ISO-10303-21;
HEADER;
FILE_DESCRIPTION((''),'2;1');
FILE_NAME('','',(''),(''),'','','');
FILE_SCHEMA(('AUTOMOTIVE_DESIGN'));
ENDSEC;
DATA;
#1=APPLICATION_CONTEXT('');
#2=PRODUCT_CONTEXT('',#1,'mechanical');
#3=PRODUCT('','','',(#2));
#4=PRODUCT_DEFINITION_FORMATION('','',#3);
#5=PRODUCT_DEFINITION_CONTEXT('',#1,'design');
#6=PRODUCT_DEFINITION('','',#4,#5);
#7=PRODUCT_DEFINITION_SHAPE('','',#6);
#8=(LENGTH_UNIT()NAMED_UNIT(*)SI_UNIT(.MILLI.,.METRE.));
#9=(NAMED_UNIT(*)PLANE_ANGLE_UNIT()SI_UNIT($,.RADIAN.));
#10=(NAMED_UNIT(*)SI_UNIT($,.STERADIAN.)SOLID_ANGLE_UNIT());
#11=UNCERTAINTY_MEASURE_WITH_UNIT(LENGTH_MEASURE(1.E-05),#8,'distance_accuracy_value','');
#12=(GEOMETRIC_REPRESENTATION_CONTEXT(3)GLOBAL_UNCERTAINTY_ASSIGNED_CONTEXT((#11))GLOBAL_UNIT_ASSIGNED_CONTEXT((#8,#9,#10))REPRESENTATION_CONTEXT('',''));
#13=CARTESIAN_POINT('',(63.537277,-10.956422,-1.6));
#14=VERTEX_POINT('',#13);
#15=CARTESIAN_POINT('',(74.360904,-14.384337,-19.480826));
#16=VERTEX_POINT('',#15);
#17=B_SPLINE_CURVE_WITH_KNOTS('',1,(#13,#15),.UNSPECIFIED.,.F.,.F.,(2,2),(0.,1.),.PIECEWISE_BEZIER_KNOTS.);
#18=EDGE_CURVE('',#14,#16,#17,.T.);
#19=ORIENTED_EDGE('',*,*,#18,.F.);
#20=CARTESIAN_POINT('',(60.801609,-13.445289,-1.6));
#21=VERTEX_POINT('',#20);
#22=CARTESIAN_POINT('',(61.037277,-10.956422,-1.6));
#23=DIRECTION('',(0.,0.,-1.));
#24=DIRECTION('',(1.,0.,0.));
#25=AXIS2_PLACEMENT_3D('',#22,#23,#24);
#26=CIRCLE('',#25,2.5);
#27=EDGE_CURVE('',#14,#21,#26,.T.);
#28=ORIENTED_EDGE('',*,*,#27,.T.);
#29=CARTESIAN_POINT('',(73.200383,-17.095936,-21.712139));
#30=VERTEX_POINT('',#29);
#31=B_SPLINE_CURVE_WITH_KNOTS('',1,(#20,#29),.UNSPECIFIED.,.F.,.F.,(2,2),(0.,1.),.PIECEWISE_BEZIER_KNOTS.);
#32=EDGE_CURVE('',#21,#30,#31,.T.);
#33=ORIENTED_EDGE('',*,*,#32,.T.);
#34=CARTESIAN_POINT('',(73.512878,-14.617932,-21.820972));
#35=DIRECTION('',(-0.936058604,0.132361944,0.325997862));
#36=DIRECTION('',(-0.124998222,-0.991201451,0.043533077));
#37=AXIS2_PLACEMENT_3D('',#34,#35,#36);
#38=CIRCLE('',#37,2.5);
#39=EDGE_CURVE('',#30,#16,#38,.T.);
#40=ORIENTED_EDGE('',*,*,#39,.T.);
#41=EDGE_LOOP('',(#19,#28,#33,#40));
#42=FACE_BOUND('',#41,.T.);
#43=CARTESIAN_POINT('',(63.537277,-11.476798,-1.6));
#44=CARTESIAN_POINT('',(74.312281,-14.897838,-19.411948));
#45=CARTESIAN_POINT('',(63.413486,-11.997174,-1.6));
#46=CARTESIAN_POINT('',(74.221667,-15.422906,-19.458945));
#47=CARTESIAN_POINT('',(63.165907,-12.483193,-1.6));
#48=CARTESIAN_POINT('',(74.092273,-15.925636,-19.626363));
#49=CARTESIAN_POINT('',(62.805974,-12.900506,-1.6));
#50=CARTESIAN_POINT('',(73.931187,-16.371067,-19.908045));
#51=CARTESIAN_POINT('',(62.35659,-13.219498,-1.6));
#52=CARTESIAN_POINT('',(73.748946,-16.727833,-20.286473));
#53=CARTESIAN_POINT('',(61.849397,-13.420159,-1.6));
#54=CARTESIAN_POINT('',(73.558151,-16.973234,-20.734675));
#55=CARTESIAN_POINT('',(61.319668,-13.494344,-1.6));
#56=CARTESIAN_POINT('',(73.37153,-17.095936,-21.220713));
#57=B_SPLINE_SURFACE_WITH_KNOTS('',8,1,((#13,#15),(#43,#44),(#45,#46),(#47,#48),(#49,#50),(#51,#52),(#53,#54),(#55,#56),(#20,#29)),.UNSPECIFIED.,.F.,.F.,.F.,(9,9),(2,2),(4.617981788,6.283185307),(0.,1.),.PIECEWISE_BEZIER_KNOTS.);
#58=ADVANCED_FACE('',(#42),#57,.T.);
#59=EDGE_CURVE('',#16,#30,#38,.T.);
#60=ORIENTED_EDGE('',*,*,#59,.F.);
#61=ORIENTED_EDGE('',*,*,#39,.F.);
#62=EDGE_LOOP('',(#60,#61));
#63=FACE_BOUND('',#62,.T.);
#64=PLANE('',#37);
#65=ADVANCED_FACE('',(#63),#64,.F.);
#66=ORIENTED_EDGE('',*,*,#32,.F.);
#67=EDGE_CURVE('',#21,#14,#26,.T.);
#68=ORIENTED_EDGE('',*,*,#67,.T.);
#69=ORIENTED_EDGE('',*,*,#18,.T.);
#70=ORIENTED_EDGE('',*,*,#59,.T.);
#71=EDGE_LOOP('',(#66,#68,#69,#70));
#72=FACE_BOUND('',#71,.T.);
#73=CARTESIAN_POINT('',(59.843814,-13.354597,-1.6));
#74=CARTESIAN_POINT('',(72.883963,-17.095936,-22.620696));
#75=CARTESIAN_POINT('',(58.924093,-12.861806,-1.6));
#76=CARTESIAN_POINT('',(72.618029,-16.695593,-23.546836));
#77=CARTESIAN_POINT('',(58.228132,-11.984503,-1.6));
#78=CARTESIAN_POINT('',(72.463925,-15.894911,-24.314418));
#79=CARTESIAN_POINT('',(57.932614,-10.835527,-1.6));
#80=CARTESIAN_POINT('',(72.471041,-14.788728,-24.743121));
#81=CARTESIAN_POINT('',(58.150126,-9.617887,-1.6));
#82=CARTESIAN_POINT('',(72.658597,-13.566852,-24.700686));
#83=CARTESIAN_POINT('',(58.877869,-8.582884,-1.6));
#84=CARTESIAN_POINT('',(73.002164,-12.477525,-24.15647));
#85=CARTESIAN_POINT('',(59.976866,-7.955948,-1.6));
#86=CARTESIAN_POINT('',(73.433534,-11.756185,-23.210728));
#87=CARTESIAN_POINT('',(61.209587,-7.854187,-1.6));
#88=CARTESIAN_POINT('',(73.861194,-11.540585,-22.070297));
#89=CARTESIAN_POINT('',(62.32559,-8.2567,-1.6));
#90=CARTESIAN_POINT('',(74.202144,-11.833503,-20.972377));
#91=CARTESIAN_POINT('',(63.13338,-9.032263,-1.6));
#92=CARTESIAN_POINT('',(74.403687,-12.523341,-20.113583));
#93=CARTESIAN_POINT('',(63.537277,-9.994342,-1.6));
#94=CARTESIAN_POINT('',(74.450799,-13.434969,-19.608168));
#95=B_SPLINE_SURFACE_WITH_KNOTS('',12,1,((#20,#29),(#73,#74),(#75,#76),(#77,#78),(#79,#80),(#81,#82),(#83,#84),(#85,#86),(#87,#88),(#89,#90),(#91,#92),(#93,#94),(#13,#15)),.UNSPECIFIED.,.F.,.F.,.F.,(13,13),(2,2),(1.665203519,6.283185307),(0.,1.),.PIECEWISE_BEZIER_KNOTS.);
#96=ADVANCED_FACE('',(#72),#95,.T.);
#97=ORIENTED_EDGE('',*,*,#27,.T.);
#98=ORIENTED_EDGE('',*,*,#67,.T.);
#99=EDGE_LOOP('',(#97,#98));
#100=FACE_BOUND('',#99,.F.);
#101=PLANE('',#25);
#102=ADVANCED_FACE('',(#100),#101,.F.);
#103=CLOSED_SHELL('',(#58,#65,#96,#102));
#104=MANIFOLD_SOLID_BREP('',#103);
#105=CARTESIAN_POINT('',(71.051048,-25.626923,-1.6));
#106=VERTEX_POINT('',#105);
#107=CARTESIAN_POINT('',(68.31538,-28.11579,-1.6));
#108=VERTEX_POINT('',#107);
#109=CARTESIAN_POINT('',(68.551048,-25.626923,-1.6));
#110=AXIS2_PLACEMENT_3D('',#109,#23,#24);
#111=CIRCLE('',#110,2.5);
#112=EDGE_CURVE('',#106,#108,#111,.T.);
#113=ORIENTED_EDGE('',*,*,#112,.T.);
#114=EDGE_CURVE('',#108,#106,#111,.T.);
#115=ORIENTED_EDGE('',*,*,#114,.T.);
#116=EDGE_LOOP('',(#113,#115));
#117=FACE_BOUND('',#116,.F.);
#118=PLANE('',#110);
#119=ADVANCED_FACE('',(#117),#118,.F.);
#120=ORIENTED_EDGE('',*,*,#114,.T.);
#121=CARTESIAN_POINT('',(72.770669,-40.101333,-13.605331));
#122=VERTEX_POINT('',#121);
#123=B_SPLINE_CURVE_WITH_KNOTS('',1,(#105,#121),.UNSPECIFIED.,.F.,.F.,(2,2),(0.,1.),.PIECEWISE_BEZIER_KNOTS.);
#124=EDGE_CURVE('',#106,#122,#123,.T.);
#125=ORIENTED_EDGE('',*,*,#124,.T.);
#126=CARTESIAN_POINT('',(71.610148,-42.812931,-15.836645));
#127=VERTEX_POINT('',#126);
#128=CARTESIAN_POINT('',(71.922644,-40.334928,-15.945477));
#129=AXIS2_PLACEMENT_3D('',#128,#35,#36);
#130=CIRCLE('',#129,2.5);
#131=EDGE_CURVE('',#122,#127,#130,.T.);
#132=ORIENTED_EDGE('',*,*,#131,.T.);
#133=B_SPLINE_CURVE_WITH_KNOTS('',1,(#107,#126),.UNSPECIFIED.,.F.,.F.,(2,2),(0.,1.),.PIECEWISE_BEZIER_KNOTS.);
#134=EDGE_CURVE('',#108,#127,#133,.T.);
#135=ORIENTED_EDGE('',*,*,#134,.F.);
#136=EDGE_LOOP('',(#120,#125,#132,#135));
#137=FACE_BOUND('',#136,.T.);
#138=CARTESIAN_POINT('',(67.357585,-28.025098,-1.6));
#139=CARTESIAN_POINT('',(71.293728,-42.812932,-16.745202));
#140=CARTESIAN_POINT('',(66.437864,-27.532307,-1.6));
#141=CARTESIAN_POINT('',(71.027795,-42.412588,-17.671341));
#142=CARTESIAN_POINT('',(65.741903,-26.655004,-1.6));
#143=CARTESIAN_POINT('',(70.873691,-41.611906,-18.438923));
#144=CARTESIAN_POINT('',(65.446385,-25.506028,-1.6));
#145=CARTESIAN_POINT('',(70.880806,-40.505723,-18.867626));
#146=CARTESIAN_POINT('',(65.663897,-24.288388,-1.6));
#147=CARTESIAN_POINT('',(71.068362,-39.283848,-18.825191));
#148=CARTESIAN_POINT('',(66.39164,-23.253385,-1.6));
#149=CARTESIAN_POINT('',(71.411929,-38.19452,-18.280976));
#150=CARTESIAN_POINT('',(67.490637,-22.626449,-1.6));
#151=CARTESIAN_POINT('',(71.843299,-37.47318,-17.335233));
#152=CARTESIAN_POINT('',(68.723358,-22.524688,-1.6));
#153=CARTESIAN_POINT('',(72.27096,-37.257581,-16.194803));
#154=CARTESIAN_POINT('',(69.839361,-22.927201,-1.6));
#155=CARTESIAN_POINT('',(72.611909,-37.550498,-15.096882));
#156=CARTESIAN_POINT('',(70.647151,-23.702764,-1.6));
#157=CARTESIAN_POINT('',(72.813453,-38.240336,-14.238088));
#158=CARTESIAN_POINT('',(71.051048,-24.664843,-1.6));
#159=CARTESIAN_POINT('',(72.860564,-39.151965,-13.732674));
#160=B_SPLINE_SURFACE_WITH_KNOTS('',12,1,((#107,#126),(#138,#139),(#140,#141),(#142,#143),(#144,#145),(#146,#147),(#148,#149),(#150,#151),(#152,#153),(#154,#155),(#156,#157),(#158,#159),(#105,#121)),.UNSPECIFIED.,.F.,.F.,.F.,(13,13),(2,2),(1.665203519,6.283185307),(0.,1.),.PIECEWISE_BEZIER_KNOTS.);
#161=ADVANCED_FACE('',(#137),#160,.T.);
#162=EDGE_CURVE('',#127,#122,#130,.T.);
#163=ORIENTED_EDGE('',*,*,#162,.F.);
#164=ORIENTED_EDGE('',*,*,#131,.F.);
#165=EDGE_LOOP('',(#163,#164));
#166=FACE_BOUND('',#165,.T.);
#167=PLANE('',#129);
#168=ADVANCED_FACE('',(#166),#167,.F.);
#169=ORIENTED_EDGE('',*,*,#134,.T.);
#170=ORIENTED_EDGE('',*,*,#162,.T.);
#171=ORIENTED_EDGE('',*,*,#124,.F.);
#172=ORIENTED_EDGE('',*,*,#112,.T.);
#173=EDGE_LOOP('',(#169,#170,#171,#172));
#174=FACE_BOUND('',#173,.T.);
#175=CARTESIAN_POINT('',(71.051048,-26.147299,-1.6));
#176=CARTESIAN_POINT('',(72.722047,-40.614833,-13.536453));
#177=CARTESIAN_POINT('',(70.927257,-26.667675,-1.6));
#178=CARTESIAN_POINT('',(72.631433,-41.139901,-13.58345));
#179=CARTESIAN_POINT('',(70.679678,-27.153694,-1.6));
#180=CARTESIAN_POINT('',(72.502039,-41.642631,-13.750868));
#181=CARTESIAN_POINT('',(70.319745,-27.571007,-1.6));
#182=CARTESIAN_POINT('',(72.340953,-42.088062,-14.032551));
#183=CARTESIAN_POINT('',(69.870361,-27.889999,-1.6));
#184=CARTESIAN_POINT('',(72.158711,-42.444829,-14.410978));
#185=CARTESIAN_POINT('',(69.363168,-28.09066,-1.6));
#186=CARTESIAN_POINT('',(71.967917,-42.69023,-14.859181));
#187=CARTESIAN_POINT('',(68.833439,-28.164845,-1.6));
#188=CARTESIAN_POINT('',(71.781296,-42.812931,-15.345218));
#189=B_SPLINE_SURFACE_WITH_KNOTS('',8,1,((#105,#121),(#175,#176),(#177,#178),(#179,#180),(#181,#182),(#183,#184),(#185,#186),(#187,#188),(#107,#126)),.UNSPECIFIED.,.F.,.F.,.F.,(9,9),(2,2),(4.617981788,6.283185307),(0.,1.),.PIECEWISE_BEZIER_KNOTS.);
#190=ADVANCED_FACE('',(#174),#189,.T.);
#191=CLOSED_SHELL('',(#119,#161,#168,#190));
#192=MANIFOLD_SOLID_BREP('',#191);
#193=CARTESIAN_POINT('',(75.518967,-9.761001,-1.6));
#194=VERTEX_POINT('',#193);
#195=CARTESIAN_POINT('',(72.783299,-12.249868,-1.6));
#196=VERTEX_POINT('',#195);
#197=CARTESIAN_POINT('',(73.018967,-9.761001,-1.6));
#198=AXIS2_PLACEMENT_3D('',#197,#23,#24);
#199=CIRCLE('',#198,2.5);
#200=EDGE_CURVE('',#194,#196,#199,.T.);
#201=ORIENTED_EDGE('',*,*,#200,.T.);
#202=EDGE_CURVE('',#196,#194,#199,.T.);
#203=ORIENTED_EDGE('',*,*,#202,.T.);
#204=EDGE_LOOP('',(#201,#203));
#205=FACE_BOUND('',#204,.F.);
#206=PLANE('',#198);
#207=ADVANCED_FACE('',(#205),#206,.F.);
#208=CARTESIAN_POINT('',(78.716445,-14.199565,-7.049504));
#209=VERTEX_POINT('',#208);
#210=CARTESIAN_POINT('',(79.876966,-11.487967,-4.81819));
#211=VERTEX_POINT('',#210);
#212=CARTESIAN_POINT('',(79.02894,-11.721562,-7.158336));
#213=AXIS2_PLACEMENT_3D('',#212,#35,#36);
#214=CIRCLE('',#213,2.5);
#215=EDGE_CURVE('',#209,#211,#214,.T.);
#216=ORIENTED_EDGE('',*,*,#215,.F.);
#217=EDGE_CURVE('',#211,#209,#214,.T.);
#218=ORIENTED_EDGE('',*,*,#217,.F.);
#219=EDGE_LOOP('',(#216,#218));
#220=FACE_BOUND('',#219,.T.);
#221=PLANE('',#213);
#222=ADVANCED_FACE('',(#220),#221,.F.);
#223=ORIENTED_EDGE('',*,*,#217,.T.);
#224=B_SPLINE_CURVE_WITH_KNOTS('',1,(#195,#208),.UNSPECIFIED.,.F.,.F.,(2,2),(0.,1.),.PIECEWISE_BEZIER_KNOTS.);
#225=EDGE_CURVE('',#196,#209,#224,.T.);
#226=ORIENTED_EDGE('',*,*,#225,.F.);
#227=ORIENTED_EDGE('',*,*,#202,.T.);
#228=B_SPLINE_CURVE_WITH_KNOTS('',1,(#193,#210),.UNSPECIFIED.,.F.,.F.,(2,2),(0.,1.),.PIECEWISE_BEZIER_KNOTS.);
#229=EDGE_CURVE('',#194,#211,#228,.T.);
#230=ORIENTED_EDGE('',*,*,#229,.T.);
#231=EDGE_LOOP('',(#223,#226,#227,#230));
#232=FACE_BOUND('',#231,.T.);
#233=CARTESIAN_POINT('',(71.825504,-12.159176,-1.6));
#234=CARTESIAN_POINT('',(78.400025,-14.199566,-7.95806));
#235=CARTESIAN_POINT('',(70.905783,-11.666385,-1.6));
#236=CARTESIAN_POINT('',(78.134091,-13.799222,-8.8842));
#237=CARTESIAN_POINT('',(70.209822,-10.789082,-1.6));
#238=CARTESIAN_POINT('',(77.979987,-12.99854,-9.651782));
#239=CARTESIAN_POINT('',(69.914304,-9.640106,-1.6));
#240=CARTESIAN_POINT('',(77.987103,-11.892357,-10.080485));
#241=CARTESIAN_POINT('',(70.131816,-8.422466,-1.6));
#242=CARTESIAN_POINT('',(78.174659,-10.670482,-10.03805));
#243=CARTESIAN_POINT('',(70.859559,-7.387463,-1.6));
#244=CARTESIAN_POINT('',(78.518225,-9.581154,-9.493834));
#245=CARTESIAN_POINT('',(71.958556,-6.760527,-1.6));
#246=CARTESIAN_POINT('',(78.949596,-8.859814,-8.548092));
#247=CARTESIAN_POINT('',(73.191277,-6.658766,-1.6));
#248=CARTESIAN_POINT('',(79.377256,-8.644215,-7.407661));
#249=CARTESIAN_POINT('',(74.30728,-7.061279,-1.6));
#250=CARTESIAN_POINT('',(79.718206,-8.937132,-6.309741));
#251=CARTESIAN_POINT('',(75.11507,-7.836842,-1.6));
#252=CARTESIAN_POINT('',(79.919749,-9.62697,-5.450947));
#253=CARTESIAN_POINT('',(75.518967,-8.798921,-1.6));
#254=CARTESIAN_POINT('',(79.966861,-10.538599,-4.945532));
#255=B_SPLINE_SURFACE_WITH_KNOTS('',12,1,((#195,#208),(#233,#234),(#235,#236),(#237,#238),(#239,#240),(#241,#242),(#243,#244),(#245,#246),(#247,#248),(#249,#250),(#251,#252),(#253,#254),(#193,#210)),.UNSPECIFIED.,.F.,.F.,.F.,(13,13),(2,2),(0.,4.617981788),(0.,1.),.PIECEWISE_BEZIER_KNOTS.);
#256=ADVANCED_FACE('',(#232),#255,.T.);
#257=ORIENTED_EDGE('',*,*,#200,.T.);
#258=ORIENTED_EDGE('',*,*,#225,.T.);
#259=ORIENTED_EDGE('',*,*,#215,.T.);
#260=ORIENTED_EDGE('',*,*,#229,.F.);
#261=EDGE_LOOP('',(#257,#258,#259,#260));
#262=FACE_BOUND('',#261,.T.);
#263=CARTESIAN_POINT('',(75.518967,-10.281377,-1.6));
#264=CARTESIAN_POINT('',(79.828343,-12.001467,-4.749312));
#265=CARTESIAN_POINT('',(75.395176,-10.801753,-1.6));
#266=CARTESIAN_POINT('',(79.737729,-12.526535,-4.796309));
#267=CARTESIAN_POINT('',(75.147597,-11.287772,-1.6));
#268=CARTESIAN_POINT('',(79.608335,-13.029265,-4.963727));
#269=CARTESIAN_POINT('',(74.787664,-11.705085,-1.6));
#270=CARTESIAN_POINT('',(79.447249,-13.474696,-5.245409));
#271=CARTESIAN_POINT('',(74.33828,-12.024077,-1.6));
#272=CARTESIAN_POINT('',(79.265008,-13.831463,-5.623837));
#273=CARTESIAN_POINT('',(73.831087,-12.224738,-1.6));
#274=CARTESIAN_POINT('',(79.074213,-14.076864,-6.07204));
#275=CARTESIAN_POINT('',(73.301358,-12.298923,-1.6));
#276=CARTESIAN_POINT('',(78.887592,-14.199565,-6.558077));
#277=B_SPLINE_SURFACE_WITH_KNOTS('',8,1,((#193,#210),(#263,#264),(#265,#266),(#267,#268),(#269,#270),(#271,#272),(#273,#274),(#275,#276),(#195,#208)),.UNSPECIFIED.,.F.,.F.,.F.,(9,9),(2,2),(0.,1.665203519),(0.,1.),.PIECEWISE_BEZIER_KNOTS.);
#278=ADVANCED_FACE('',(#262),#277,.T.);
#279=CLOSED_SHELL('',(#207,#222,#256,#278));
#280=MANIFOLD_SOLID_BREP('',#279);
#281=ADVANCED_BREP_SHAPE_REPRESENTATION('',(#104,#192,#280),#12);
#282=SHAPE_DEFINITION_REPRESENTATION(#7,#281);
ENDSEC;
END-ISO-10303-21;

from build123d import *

# Parameters (mm, degrees)
SKETCH075_R = 2.5
SKETCH076_R = 2.5
SKETCH068_R = 2.5
SKETCH069_R = 2.5
SKETCH066_R = 2.5
SKETCH067_R = 2.5


with BuildPart() as part:
    # Sketch075 (on Face1 of Binder010) → AdditiveLoft006 section 0
    with BuildSketch(Plane(origin=(0, 0, -1.6), x_dir=(1, 0, 0), z_dir=(0, 0, -1))):
        with Locations((61.037277, 10.956422)):
            Circle(SKETCH075_R)
    # Sketch076 (on Face1 of Binder011) → AdditiveLoft006 section 1
    with BuildSketch(Plane(origin=(72.882287, -10.305781, -25.382453), x_dir=(-0.124998, -0.991201, 0.043533), z_dir=(-0.936059, 0.132362, 0.325998))):
        with Locations((4.35043, 3.570742)):
            Circle(SKETCH076_R)
    loft()

    # Sketch068 (on Face1 of Binder010) → AdditiveLoft007 section 0
    with BuildSketch(Plane(origin=(0, 0, -1.6), x_dir=(1, 0, 0), z_dir=(0, 0, -1))):
        with Locations((68.551048, 25.626923)):
            Circle(SKETCH068_R)
    # Sketch069 (on Face1 of Binder011) → AdditiveLoft007 section 1
    with BuildSketch(Plane(origin=(72.882287, -10.305781, -25.382453), x_dir=(-0.124998, -0.991201, 0.043533), z_dir=(-0.936059, 0.132362, 0.325998))):
        with Locations((30.295708, 8.596345)):
            Circle(SKETCH069_R)
    loft()

    # Sketch066 (on Face1 of Binder010) → AdditiveLoft008 section 0
    with BuildSketch(Plane(origin=(0, 0, -1.6), x_dir=(1, 0, 0), z_dir=(0, 0, -1))):
        with Locations((73.018967, 9.761001)):
            Circle(SKETCH066_R)
    # Sketch067 (on Face1 of Binder011) → AdditiveLoft008 section 1
    with BuildSketch(Plane(origin=(72.882287, -10.305781, -25.382453), x_dir=(-0.124998, -0.991201, 0.043533), z_dir=(-0.936059, 0.132362, 0.325998))):
        with Locations((1.428355, 19.231849)):
            Circle(SKETCH067_R)
    loft()


solid = part.part
